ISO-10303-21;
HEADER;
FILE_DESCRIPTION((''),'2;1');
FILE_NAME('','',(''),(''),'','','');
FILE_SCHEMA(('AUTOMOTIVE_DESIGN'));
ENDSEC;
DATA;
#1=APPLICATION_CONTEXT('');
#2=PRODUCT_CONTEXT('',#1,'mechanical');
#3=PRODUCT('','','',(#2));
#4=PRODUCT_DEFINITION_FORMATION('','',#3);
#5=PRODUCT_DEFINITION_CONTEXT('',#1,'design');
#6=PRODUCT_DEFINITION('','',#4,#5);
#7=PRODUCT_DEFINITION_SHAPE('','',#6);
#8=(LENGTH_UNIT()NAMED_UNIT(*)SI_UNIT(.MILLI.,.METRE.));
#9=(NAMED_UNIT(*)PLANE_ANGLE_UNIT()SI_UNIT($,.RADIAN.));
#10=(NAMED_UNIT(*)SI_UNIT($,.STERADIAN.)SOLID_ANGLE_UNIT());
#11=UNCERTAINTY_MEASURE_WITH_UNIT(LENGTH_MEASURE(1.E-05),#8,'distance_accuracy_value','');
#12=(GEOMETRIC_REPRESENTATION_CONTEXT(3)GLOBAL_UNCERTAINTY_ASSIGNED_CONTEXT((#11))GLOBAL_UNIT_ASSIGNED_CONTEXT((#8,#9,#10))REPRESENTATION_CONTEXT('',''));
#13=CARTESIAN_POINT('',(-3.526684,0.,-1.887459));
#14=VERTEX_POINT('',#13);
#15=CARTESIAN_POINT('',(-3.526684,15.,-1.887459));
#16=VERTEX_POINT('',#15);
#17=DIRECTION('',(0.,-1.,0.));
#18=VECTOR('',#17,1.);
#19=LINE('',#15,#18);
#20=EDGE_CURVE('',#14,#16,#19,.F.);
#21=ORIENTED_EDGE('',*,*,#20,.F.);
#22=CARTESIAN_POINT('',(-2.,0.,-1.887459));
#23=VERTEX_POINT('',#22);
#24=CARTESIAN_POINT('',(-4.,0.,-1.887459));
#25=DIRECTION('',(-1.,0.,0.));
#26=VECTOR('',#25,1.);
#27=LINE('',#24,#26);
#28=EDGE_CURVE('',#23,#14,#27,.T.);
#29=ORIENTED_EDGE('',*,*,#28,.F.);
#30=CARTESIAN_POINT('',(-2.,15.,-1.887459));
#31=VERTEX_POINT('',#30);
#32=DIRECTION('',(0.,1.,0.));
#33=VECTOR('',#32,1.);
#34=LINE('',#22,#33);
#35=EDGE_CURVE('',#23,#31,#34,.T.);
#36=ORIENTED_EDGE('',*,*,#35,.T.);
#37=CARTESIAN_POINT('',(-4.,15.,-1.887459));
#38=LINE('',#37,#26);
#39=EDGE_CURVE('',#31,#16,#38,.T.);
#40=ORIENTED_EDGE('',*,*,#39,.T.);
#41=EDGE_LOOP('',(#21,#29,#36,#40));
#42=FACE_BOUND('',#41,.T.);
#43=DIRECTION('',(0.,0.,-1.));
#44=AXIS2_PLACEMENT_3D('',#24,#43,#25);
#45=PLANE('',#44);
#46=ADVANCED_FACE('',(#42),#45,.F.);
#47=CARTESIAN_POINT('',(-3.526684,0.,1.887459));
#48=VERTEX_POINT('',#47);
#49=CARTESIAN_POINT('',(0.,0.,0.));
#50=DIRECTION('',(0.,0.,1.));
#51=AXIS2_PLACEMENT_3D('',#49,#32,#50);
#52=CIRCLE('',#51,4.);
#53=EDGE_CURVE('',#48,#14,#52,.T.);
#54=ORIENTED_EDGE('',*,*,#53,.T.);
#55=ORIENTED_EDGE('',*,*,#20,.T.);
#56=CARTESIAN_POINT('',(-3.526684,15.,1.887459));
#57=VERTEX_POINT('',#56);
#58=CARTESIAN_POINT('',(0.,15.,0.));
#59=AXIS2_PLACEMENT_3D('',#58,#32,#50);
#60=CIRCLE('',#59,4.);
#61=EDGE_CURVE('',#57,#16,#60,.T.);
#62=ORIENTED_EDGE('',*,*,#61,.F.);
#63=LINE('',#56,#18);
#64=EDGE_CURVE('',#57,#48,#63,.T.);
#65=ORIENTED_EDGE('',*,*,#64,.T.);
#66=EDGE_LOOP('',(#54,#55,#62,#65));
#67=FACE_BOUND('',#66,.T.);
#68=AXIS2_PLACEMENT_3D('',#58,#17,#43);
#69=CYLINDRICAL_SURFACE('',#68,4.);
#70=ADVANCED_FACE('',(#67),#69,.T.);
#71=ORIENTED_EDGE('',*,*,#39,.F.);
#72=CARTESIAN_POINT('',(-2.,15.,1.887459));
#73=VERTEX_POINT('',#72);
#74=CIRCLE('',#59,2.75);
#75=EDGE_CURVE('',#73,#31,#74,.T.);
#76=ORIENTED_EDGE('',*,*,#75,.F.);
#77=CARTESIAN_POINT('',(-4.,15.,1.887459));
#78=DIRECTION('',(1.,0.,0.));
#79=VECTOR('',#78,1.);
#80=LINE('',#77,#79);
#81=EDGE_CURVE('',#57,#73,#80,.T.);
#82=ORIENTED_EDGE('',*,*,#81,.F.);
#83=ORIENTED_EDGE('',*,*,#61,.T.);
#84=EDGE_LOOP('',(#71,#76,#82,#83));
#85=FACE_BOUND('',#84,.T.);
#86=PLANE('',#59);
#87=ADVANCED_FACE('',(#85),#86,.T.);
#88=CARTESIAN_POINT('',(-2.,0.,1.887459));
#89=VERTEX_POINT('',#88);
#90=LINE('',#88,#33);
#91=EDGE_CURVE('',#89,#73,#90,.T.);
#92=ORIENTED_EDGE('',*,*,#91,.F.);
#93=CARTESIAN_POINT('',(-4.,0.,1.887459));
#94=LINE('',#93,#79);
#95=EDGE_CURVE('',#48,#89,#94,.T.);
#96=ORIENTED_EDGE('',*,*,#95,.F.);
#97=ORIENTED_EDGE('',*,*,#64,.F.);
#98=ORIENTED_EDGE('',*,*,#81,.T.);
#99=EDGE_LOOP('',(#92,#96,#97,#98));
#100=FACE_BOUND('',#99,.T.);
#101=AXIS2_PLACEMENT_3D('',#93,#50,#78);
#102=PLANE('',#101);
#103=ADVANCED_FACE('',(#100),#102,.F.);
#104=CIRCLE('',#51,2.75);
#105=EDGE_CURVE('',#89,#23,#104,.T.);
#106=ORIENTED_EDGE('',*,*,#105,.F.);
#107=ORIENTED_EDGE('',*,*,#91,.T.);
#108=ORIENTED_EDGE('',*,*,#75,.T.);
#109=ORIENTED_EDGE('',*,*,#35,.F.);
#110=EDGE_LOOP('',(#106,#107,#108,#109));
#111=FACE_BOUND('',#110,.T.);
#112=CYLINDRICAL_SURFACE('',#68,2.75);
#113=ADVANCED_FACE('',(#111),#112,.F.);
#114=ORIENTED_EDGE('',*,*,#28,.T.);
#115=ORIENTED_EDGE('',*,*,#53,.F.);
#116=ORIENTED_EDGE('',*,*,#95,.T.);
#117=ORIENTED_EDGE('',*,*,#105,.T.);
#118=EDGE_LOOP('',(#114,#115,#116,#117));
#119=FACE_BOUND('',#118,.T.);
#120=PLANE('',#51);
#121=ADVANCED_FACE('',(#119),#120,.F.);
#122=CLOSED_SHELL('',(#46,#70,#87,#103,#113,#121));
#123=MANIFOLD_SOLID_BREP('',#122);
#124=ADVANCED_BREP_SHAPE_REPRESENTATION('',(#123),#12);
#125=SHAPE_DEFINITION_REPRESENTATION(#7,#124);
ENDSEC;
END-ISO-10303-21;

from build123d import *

# Parameters (mm, degrees)
SKETCH_1_R          = 4
SKETCH_1_R_2        = 2.75
EXTRUDE_1_DEPTH     = 15
SKETCH_2_W          = 2
SKETCH_2_H          = 3.774917218
CUT_EXTRUDE_1_DEPTH = 15


with BuildPart() as part:
    # 草圖1 → 填料-伸長1 (new body)
    with BuildSketch(Plane(origin=(0, 0, 0), x_dir=(1, 0, 0), z_dir=(0, 1, 0))):
        Circle(SKETCH_1_R)
        Circle(SKETCH_1_R_2, mode=Mode.SUBTRACT)
    extrude(amount=EXTRUDE_1_DEPTH)

    # 草圖2 → 除料-伸長1 (cut)
    with BuildSketch(Plane(origin=(0, 15, 0), x_dir=(1, 0, 0), z_dir=(0, 1, 0))):
        with Locations((-3, 0)):
            Rectangle(SKETCH_2_W, SKETCH_2_H)
    extrude(amount=-CUT_EXTRUDE_1_DEPTH, mode=Mode.SUBTRACT)


solid = part.part
